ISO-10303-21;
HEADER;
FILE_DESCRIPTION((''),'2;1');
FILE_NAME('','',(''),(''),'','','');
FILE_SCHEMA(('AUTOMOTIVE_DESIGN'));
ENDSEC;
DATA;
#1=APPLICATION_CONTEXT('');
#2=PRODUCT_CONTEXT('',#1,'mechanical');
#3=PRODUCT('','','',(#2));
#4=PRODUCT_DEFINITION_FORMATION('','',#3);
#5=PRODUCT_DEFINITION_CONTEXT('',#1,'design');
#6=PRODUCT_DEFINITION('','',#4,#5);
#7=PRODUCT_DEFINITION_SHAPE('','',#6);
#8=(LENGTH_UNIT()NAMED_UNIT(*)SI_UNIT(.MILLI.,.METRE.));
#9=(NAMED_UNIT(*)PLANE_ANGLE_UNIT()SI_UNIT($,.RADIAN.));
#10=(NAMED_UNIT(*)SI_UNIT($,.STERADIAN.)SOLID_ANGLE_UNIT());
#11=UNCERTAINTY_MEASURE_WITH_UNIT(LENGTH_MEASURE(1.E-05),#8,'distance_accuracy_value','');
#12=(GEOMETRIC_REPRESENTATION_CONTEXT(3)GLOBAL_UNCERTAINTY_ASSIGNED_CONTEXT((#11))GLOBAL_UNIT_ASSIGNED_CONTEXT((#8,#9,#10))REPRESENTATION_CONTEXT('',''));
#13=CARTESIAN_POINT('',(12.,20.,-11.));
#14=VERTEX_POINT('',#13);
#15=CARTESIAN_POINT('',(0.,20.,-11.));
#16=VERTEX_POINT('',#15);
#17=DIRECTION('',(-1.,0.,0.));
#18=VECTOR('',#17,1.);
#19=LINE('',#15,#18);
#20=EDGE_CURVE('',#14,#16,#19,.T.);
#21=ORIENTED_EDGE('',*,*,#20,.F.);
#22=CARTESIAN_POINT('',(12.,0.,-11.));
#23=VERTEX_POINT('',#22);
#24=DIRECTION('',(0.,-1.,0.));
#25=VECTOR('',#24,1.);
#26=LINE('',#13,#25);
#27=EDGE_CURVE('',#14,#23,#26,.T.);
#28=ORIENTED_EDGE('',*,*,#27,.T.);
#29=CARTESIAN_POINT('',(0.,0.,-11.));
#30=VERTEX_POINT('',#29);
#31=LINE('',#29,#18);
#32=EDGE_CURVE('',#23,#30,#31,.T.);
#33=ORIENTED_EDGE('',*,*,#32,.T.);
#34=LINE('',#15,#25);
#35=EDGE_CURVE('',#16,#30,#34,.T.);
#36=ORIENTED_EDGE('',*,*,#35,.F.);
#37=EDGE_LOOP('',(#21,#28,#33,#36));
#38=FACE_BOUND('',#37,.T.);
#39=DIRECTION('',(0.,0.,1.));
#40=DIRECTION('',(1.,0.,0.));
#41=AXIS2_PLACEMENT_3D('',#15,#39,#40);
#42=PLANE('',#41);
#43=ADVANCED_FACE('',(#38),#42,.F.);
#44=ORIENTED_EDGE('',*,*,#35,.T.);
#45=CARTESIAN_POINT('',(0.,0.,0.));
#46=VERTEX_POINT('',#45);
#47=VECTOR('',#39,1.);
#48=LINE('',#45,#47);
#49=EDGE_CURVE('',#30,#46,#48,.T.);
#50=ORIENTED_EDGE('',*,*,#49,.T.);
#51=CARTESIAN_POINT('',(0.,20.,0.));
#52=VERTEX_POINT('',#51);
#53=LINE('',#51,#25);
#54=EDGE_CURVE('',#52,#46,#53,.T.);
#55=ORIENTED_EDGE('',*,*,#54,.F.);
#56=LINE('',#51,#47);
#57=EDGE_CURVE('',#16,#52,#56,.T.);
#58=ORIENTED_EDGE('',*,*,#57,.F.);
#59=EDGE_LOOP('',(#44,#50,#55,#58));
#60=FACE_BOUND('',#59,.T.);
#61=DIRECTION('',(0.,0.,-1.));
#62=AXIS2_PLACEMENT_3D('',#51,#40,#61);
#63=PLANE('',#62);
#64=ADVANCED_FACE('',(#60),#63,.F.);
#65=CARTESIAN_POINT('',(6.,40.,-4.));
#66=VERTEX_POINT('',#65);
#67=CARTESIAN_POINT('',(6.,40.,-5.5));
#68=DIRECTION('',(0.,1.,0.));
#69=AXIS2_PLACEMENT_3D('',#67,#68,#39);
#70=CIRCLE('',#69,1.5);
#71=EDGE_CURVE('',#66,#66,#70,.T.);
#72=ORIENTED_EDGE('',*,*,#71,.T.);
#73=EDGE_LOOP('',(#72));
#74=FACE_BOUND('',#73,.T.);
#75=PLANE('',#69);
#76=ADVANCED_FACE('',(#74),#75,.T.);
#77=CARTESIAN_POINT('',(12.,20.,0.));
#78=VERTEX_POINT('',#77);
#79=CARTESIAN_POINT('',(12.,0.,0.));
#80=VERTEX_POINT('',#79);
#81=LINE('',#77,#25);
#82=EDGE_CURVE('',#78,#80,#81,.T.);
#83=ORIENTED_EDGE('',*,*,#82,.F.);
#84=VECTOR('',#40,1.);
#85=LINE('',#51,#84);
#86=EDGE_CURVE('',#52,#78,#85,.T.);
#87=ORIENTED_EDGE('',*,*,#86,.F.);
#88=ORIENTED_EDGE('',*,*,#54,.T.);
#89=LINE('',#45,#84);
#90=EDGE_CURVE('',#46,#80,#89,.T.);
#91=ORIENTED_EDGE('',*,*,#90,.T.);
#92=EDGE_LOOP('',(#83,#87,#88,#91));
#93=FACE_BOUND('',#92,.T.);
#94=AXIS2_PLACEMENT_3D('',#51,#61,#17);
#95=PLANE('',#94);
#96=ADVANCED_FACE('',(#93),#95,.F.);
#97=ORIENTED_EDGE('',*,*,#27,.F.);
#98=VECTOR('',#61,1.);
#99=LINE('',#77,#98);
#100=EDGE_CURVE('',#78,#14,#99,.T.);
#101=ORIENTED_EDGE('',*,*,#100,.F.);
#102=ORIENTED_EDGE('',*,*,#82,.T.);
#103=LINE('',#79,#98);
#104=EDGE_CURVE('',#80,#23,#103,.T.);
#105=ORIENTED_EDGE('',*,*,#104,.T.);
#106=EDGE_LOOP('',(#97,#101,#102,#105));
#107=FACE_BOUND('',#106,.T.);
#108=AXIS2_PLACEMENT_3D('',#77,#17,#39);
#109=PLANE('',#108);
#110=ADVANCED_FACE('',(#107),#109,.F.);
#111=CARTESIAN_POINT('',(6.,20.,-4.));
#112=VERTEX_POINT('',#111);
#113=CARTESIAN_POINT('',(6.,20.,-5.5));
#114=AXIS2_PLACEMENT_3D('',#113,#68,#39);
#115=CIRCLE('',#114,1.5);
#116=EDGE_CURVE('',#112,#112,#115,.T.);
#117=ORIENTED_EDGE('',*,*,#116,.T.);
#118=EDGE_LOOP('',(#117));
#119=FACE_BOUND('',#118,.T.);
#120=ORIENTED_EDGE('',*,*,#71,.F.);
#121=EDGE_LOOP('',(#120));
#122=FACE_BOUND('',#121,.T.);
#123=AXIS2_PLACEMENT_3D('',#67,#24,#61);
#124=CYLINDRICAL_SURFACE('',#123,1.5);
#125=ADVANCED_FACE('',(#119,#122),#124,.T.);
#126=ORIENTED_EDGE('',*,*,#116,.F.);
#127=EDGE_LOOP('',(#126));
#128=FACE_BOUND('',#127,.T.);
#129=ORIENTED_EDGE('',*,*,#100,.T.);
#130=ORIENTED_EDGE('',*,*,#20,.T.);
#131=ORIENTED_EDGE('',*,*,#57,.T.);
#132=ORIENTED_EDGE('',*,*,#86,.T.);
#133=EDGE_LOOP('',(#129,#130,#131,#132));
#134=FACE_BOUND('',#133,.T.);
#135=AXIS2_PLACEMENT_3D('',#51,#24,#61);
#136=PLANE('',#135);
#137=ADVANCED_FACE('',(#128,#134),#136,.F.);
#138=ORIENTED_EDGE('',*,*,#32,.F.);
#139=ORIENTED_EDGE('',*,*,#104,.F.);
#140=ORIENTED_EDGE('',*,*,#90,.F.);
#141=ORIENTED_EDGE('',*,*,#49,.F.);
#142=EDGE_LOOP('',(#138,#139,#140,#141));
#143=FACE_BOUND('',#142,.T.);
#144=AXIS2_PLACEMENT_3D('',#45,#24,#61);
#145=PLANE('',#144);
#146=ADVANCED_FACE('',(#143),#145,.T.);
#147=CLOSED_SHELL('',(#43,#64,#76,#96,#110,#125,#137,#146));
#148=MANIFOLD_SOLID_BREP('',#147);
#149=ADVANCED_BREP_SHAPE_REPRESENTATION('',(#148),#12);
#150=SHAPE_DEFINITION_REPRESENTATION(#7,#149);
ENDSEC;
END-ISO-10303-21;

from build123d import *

# Parameters (mm, degrees)
SKETCH1_W           = 12
SKETCH1_H           = 11
BOSS_EXTRUDE1_DEPTH = 20
SKETCH2_R           = 1.5
BOSS_EXTRUDE2_DEPTH = 20


with BuildPart() as part:
    # Sketch1 → Boss-Extrude1 (new body)
    with BuildSketch(Plane(origin=(0, 0, 0), x_dir=(1, 0, 0), z_dir=(0, 1, 0))):
        with Locations((6, 5.5)):
            Rectangle(SKETCH1_W, SKETCH1_H)
    extrude(amount=BOSS_EXTRUDE1_DEPTH)

    # Sketch2 → Boss-Extrude2 (add)
    with BuildSketch(Plane(origin=(0, 20, 0), x_dir=(1, 0, 0), z_dir=(0, 1, 0))):
        with Locations(Location((6, 5.5, 0), (0, 0, 270))):
            Circle(SKETCH2_R)
    extrude(amount=BOSS_EXTRUDE2_DEPTH)


solid = part.part
